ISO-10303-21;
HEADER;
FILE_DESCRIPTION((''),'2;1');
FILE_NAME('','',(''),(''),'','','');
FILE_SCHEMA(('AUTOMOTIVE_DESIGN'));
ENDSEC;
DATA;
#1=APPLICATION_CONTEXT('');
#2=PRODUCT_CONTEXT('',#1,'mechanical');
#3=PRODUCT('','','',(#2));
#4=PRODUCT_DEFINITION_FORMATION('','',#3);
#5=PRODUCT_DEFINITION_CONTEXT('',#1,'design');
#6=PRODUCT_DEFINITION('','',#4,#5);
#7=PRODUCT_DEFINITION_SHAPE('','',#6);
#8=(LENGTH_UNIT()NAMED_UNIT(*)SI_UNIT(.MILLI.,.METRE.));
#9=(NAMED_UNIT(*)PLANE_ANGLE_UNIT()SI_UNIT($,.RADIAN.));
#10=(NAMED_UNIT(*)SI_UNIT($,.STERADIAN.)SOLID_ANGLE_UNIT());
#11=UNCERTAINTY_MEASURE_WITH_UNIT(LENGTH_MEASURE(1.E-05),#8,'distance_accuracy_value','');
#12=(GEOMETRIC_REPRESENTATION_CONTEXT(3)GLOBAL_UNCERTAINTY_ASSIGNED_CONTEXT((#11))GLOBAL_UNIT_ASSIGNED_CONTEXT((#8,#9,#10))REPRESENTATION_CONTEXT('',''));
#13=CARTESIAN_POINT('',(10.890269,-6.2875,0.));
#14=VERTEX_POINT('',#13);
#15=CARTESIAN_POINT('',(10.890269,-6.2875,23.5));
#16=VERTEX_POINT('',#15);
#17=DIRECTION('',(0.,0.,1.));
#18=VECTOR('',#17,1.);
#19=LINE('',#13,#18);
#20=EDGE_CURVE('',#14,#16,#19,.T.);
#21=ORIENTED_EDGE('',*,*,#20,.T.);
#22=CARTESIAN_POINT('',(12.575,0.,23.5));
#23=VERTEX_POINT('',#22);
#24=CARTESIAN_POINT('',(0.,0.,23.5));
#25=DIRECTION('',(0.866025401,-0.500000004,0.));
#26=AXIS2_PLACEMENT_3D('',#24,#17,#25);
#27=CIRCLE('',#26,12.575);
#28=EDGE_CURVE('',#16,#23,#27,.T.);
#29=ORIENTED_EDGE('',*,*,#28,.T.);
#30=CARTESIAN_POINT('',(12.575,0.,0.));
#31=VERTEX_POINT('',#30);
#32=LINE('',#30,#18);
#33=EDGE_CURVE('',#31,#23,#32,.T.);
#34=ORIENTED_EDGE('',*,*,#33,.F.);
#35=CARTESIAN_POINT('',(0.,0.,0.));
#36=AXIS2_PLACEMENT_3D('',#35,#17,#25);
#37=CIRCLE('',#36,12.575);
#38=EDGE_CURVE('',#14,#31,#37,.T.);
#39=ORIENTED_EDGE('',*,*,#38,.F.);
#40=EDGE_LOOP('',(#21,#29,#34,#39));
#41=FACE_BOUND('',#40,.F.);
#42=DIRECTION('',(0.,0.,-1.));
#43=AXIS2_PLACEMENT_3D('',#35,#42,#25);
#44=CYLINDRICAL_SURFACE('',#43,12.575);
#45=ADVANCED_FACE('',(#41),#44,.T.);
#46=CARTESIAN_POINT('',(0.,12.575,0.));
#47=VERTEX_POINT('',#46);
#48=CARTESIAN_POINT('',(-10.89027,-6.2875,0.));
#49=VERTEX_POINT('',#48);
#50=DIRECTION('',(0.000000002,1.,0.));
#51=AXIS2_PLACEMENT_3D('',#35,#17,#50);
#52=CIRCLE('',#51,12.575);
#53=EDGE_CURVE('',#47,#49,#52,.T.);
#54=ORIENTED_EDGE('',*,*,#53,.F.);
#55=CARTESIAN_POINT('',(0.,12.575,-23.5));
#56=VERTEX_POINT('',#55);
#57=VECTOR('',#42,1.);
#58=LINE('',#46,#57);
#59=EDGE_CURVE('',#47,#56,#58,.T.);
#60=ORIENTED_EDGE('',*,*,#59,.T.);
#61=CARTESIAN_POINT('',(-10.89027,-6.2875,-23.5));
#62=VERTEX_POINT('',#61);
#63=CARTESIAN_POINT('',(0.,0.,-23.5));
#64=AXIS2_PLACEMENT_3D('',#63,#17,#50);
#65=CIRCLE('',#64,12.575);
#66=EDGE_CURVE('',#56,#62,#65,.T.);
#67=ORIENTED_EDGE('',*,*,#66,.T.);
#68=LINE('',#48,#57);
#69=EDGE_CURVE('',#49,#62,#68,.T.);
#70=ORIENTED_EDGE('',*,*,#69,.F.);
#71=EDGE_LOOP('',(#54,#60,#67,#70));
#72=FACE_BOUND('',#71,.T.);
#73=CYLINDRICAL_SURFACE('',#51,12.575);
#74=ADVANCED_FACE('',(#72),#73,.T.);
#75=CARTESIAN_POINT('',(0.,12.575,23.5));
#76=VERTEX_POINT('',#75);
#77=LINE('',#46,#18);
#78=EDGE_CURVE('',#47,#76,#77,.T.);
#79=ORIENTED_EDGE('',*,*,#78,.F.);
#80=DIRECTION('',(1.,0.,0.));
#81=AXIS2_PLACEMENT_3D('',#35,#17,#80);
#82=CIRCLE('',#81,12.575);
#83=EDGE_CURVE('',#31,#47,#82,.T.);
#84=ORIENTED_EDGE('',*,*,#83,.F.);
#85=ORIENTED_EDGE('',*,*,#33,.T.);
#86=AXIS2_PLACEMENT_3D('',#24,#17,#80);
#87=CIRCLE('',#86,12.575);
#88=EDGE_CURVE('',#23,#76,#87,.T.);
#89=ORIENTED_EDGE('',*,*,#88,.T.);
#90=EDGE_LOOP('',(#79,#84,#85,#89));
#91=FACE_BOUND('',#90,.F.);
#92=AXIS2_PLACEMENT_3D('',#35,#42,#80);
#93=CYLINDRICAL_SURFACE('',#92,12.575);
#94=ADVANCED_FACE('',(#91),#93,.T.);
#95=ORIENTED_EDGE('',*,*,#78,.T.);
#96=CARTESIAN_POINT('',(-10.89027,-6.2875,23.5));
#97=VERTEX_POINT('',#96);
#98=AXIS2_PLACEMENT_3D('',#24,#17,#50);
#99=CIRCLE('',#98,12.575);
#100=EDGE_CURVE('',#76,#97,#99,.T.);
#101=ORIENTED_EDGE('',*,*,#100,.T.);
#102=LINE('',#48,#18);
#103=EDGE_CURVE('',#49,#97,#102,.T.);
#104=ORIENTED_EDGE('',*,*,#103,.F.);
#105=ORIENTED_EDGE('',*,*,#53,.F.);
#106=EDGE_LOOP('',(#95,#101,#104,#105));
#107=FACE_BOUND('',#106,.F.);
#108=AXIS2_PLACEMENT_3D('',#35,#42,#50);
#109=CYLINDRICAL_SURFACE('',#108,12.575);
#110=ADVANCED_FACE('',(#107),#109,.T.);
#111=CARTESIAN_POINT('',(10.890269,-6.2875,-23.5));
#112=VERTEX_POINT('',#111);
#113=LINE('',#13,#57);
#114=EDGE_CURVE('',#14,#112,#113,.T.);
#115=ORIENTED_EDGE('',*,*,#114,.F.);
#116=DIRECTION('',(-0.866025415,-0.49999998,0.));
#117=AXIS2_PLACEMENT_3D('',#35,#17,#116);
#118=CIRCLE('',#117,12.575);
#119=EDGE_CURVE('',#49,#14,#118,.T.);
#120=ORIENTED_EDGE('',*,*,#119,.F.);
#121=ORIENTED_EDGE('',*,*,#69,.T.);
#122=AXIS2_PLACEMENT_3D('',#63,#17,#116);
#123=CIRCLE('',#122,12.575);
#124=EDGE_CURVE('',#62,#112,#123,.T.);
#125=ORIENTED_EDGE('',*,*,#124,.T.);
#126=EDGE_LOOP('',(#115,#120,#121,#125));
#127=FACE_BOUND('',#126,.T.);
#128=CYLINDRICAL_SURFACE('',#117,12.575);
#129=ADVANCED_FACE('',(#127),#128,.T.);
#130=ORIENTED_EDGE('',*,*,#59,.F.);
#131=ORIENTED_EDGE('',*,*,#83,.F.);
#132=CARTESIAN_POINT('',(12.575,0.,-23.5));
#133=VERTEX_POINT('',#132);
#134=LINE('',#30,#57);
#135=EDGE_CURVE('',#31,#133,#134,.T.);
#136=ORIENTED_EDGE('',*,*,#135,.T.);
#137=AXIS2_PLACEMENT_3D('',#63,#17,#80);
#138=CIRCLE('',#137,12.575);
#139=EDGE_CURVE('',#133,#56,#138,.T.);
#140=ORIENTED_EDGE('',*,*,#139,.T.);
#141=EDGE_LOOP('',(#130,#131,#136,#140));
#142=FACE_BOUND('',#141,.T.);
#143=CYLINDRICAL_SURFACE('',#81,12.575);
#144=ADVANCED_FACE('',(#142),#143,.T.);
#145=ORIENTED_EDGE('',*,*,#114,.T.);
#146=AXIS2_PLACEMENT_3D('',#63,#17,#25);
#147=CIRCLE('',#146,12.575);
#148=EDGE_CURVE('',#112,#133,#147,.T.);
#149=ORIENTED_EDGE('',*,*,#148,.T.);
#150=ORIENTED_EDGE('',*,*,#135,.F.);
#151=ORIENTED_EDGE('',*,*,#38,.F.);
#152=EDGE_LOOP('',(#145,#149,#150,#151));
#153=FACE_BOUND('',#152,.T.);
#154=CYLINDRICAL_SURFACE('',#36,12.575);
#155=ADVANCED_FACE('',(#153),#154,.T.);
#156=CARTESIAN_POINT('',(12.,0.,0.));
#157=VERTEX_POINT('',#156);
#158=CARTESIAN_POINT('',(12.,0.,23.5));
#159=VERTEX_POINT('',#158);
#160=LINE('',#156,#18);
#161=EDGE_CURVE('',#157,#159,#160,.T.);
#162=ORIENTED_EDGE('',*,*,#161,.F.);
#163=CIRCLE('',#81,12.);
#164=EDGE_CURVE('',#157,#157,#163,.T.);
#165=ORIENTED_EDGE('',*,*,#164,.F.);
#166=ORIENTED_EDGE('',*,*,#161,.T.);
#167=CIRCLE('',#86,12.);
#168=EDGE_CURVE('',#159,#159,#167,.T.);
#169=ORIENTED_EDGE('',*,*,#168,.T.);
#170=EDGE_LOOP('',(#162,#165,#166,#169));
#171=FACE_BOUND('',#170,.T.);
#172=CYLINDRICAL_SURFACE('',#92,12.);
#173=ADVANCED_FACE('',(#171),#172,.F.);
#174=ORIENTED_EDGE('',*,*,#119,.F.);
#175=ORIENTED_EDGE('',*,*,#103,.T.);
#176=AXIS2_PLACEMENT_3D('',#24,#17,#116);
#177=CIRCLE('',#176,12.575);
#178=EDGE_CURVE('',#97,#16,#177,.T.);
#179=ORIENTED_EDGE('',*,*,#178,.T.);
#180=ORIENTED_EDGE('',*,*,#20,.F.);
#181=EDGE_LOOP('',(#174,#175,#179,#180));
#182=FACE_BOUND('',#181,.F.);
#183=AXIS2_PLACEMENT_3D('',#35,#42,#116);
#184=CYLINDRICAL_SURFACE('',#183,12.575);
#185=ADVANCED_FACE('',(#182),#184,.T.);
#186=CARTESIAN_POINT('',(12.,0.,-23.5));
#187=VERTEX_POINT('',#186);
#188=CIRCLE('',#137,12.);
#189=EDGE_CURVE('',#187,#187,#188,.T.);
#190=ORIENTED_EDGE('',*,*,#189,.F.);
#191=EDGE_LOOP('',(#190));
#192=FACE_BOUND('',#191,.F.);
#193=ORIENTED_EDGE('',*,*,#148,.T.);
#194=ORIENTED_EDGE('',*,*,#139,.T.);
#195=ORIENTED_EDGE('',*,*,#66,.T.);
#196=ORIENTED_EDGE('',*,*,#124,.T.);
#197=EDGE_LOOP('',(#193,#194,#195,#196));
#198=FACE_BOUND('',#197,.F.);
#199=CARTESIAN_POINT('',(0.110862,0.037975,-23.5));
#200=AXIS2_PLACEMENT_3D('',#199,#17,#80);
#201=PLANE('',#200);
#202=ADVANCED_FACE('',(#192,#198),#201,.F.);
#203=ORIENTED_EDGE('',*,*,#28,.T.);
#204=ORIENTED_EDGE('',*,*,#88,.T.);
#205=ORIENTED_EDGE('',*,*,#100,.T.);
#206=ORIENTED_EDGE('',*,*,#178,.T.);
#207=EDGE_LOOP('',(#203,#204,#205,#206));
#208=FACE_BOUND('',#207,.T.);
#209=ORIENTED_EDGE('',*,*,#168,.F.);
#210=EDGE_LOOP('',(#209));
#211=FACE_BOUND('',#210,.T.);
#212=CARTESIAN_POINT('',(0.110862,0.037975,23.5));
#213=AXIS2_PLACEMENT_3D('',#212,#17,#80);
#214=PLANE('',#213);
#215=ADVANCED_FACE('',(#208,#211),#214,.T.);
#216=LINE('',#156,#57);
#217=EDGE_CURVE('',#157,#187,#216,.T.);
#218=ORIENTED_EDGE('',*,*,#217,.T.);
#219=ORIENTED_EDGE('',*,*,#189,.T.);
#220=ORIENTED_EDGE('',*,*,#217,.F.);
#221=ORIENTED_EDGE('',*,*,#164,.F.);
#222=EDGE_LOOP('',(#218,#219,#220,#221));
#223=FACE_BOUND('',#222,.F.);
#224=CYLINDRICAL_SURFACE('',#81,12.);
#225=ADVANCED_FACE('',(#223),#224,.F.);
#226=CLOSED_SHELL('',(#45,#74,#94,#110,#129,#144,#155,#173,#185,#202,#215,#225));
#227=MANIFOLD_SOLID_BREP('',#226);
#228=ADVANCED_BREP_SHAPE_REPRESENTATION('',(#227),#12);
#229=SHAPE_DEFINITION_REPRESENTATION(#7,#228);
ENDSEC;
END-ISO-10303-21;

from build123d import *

# Parameters (mm, degrees)
F0_R     = 12
F1_DEPTH = 23.5


with BuildPart() as f1:
    # F0 (on Top) → F1 (new body, symmetric)
    with BuildSketch(Plane.XY):
        with BuildLine():
            ThreePointArc((10.8902694237, -6.2875000501), (12.1465172581, -3.2546495201), (12.575, 0))
            ThreePointArc((12.575, 0), (8.891867784, 8.8918677628), (2.99e-08, 12.575))
            ThreePointArc((2.99e-08, 12.575), (-10.8902693743, 6.2875001356), (-10.8902695943, -6.2874997546))
            ThreePointArc((-10.8902695943, -6.2874997546), (-1.706e-07, -12.575), (10.8902694237, -6.2875000501))
        make_face()
        Circle(F0_R, mode=Mode.SUBTRACT)
    extrude(amount=F1_DEPTH, both=True)


solid = f1.part
